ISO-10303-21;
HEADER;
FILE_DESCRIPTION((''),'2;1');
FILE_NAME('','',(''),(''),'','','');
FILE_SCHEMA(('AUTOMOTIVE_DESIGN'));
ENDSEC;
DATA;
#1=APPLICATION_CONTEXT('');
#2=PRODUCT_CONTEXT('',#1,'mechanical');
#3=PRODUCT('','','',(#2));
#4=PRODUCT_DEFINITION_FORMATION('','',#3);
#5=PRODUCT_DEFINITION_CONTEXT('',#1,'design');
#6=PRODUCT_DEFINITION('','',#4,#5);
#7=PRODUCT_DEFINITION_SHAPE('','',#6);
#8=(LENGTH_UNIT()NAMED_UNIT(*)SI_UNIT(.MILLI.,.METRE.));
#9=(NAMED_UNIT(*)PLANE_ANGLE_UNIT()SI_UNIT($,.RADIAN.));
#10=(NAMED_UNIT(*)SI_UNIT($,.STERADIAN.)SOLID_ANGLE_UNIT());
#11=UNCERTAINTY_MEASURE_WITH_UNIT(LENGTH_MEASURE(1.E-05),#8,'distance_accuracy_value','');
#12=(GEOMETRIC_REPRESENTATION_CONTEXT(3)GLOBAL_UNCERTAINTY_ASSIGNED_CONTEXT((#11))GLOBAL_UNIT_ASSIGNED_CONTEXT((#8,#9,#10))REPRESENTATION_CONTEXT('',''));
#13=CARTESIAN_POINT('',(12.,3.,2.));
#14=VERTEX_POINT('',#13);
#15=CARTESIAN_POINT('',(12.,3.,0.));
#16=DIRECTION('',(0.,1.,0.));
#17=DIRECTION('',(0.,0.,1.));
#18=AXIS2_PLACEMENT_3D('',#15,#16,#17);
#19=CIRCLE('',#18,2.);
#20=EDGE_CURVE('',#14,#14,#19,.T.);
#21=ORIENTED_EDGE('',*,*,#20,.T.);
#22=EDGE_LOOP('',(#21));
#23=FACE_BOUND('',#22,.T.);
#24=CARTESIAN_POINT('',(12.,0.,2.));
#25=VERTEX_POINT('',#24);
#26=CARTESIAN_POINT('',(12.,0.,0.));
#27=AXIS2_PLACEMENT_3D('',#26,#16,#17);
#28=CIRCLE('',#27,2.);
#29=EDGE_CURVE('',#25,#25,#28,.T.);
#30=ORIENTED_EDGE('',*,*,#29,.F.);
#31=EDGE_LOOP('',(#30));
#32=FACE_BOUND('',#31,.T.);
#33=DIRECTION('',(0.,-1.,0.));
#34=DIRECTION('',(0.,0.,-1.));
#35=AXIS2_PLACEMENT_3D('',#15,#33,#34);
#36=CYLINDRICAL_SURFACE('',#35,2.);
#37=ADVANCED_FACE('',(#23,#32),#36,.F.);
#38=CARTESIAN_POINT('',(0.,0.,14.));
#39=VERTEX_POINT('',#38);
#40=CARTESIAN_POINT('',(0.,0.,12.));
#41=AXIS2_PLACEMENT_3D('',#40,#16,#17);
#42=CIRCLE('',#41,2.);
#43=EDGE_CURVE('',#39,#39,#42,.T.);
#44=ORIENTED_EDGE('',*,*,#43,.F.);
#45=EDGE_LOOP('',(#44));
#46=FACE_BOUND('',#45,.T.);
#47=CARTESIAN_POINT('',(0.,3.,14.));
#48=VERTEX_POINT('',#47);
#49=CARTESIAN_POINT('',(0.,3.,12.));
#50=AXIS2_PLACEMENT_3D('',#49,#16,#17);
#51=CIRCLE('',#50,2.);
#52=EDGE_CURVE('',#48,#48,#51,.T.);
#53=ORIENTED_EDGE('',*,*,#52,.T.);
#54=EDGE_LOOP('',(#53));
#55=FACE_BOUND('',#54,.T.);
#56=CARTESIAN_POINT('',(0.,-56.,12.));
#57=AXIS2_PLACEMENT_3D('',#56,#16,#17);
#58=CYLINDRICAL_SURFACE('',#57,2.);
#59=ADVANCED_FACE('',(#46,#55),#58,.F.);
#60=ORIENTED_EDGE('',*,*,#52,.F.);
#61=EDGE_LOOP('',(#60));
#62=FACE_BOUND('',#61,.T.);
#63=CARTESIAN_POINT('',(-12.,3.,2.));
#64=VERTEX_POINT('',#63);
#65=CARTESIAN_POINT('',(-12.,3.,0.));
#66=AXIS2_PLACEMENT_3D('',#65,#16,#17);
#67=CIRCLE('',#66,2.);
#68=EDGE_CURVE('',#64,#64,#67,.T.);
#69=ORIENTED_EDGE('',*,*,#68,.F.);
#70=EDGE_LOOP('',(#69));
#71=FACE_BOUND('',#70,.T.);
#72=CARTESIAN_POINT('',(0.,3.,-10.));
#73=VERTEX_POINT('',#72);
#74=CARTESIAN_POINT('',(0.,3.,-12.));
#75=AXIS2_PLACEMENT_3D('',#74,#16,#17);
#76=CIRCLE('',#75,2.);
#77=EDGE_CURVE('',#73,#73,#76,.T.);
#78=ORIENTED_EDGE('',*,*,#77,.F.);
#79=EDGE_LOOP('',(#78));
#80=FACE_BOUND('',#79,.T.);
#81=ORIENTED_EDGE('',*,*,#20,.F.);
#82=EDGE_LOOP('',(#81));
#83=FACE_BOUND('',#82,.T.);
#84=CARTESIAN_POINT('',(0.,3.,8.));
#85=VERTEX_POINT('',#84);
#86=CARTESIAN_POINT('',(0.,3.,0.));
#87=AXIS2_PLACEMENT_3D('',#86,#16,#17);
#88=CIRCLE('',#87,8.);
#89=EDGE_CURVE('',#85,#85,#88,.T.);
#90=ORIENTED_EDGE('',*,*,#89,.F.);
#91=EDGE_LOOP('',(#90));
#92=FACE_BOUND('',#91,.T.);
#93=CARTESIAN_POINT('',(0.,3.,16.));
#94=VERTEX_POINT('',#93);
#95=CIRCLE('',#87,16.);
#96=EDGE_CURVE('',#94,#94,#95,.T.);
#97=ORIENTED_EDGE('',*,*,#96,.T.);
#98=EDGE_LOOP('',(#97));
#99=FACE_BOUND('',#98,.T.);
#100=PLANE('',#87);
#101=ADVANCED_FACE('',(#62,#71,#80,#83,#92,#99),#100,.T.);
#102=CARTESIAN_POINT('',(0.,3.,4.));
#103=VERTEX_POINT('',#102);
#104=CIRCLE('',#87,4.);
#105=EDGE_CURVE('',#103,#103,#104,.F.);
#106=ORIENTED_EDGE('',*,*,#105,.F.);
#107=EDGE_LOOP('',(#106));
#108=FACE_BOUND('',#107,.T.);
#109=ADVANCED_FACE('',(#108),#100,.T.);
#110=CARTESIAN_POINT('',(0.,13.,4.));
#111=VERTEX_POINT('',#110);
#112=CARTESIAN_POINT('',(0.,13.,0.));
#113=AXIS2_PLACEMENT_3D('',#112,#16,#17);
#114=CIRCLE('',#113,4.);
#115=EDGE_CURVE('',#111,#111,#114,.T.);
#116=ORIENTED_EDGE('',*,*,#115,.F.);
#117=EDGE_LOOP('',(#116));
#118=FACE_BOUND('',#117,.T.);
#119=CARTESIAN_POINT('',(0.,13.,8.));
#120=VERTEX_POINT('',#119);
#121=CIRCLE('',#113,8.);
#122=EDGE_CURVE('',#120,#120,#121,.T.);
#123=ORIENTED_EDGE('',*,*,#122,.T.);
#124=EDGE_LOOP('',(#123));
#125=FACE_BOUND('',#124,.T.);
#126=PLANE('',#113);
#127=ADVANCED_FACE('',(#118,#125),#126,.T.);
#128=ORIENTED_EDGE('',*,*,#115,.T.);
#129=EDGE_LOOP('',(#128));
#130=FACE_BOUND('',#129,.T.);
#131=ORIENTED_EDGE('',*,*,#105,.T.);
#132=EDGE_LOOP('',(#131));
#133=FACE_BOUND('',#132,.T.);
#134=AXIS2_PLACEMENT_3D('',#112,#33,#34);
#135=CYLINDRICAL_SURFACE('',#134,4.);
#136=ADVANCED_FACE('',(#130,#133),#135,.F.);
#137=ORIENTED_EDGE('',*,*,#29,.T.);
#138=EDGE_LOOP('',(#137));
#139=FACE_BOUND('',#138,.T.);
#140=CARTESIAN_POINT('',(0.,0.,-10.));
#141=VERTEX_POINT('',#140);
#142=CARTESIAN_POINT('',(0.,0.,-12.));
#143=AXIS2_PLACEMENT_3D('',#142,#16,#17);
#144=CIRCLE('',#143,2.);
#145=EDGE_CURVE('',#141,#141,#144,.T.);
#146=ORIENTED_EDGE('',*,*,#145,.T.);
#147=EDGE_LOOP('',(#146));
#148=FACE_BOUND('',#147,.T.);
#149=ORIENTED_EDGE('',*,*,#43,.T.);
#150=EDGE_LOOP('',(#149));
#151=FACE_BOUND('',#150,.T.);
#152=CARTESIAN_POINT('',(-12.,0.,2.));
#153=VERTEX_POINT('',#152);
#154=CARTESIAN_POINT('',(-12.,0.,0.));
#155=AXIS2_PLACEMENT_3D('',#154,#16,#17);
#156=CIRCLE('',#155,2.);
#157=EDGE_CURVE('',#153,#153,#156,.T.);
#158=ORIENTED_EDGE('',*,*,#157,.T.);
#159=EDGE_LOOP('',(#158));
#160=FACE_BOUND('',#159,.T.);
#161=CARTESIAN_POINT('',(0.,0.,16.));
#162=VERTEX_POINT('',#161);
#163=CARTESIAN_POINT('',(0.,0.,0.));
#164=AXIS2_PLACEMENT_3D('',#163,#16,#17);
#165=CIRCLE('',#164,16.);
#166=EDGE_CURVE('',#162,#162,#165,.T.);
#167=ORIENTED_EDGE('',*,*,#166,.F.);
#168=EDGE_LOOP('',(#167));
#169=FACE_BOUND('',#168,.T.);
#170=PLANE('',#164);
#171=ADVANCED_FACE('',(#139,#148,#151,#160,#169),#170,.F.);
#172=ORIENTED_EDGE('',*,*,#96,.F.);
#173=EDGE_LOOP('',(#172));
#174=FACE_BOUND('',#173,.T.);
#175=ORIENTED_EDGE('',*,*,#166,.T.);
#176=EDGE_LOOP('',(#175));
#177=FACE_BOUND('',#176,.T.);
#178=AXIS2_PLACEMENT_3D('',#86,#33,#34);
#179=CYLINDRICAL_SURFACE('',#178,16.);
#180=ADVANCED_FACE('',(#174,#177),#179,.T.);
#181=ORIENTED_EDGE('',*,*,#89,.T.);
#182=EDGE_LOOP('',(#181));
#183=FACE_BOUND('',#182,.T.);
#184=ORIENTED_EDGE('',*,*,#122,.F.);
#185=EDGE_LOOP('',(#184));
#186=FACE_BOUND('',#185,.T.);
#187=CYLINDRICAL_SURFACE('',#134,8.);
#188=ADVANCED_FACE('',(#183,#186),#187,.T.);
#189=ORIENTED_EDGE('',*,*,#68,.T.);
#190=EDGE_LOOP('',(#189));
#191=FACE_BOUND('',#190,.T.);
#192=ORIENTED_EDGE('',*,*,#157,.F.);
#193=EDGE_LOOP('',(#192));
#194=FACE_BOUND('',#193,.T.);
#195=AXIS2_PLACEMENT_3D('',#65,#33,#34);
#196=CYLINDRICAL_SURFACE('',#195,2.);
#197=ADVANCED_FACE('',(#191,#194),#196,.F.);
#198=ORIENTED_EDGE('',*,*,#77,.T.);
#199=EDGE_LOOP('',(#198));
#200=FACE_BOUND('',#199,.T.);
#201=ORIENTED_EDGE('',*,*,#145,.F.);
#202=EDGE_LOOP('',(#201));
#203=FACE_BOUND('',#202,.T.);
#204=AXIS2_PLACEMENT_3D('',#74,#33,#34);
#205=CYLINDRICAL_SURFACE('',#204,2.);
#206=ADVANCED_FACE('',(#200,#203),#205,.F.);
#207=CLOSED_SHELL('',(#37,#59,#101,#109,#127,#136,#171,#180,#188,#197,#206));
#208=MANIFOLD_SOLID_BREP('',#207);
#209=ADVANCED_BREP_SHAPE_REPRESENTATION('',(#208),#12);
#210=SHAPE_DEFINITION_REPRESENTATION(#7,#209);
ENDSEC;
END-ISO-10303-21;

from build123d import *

# Parameters (mm, degrees)
SKETCH2_R           = 16
SKETCH2_R_2         = 2
BOSS_EXTRUDE1_DEPTH = 3
SKETCH3_R           = 8
SKETCH3_R_2         = 4
BOSS_EXTRUDE2_DEPTH = 10
SKETCH4_R           = 2
CUT_EXTRUDE1_DEPTH  = 59


with BuildPart() as part:
    # Sketch2 → Boss-Extrude1 (new body)
    with BuildSketch(Plane(origin=(0, 0, 0), x_dir=(1, 0, 0), z_dir=(0, 1, 0))):
        Circle(SKETCH2_R)
        with Locations((0, 12)):
            Circle(SKETCH2_R_2, mode=Mode.SUBTRACT)
        with Locations((-12, 0)):
            Circle(SKETCH2_R_2, mode=Mode.SUBTRACT)
        with Locations((12, 0)):
            Circle(SKETCH2_R_2, mode=Mode.SUBTRACT)
    extrude(amount=BOSS_EXTRUDE1_DEPTH)

    # Sketch3 → Boss-Extrude2 (add)
    with BuildSketch(Plane(origin=(0, 3, 0), x_dir=(1, 0, 0), z_dir=(0, 1, 0))):
        Circle(SKETCH3_R)
        Circle(SKETCH3_R_2, mode=Mode.SUBTRACT)
    extrude(amount=BOSS_EXTRUDE2_DEPTH)

    # Sketch4 → Cut-Extrude1 (cut)
    with BuildSketch(Plane(origin=(0, 3, 0), x_dir=(1, 0, 0), z_dir=(0, 1, 0))):
        with Locations((0, -12)):
            Circle(SKETCH4_R)
    extrude(amount=-CUT_EXTRUDE1_DEPTH, mode=Mode.SUBTRACT)


solid = part.part
